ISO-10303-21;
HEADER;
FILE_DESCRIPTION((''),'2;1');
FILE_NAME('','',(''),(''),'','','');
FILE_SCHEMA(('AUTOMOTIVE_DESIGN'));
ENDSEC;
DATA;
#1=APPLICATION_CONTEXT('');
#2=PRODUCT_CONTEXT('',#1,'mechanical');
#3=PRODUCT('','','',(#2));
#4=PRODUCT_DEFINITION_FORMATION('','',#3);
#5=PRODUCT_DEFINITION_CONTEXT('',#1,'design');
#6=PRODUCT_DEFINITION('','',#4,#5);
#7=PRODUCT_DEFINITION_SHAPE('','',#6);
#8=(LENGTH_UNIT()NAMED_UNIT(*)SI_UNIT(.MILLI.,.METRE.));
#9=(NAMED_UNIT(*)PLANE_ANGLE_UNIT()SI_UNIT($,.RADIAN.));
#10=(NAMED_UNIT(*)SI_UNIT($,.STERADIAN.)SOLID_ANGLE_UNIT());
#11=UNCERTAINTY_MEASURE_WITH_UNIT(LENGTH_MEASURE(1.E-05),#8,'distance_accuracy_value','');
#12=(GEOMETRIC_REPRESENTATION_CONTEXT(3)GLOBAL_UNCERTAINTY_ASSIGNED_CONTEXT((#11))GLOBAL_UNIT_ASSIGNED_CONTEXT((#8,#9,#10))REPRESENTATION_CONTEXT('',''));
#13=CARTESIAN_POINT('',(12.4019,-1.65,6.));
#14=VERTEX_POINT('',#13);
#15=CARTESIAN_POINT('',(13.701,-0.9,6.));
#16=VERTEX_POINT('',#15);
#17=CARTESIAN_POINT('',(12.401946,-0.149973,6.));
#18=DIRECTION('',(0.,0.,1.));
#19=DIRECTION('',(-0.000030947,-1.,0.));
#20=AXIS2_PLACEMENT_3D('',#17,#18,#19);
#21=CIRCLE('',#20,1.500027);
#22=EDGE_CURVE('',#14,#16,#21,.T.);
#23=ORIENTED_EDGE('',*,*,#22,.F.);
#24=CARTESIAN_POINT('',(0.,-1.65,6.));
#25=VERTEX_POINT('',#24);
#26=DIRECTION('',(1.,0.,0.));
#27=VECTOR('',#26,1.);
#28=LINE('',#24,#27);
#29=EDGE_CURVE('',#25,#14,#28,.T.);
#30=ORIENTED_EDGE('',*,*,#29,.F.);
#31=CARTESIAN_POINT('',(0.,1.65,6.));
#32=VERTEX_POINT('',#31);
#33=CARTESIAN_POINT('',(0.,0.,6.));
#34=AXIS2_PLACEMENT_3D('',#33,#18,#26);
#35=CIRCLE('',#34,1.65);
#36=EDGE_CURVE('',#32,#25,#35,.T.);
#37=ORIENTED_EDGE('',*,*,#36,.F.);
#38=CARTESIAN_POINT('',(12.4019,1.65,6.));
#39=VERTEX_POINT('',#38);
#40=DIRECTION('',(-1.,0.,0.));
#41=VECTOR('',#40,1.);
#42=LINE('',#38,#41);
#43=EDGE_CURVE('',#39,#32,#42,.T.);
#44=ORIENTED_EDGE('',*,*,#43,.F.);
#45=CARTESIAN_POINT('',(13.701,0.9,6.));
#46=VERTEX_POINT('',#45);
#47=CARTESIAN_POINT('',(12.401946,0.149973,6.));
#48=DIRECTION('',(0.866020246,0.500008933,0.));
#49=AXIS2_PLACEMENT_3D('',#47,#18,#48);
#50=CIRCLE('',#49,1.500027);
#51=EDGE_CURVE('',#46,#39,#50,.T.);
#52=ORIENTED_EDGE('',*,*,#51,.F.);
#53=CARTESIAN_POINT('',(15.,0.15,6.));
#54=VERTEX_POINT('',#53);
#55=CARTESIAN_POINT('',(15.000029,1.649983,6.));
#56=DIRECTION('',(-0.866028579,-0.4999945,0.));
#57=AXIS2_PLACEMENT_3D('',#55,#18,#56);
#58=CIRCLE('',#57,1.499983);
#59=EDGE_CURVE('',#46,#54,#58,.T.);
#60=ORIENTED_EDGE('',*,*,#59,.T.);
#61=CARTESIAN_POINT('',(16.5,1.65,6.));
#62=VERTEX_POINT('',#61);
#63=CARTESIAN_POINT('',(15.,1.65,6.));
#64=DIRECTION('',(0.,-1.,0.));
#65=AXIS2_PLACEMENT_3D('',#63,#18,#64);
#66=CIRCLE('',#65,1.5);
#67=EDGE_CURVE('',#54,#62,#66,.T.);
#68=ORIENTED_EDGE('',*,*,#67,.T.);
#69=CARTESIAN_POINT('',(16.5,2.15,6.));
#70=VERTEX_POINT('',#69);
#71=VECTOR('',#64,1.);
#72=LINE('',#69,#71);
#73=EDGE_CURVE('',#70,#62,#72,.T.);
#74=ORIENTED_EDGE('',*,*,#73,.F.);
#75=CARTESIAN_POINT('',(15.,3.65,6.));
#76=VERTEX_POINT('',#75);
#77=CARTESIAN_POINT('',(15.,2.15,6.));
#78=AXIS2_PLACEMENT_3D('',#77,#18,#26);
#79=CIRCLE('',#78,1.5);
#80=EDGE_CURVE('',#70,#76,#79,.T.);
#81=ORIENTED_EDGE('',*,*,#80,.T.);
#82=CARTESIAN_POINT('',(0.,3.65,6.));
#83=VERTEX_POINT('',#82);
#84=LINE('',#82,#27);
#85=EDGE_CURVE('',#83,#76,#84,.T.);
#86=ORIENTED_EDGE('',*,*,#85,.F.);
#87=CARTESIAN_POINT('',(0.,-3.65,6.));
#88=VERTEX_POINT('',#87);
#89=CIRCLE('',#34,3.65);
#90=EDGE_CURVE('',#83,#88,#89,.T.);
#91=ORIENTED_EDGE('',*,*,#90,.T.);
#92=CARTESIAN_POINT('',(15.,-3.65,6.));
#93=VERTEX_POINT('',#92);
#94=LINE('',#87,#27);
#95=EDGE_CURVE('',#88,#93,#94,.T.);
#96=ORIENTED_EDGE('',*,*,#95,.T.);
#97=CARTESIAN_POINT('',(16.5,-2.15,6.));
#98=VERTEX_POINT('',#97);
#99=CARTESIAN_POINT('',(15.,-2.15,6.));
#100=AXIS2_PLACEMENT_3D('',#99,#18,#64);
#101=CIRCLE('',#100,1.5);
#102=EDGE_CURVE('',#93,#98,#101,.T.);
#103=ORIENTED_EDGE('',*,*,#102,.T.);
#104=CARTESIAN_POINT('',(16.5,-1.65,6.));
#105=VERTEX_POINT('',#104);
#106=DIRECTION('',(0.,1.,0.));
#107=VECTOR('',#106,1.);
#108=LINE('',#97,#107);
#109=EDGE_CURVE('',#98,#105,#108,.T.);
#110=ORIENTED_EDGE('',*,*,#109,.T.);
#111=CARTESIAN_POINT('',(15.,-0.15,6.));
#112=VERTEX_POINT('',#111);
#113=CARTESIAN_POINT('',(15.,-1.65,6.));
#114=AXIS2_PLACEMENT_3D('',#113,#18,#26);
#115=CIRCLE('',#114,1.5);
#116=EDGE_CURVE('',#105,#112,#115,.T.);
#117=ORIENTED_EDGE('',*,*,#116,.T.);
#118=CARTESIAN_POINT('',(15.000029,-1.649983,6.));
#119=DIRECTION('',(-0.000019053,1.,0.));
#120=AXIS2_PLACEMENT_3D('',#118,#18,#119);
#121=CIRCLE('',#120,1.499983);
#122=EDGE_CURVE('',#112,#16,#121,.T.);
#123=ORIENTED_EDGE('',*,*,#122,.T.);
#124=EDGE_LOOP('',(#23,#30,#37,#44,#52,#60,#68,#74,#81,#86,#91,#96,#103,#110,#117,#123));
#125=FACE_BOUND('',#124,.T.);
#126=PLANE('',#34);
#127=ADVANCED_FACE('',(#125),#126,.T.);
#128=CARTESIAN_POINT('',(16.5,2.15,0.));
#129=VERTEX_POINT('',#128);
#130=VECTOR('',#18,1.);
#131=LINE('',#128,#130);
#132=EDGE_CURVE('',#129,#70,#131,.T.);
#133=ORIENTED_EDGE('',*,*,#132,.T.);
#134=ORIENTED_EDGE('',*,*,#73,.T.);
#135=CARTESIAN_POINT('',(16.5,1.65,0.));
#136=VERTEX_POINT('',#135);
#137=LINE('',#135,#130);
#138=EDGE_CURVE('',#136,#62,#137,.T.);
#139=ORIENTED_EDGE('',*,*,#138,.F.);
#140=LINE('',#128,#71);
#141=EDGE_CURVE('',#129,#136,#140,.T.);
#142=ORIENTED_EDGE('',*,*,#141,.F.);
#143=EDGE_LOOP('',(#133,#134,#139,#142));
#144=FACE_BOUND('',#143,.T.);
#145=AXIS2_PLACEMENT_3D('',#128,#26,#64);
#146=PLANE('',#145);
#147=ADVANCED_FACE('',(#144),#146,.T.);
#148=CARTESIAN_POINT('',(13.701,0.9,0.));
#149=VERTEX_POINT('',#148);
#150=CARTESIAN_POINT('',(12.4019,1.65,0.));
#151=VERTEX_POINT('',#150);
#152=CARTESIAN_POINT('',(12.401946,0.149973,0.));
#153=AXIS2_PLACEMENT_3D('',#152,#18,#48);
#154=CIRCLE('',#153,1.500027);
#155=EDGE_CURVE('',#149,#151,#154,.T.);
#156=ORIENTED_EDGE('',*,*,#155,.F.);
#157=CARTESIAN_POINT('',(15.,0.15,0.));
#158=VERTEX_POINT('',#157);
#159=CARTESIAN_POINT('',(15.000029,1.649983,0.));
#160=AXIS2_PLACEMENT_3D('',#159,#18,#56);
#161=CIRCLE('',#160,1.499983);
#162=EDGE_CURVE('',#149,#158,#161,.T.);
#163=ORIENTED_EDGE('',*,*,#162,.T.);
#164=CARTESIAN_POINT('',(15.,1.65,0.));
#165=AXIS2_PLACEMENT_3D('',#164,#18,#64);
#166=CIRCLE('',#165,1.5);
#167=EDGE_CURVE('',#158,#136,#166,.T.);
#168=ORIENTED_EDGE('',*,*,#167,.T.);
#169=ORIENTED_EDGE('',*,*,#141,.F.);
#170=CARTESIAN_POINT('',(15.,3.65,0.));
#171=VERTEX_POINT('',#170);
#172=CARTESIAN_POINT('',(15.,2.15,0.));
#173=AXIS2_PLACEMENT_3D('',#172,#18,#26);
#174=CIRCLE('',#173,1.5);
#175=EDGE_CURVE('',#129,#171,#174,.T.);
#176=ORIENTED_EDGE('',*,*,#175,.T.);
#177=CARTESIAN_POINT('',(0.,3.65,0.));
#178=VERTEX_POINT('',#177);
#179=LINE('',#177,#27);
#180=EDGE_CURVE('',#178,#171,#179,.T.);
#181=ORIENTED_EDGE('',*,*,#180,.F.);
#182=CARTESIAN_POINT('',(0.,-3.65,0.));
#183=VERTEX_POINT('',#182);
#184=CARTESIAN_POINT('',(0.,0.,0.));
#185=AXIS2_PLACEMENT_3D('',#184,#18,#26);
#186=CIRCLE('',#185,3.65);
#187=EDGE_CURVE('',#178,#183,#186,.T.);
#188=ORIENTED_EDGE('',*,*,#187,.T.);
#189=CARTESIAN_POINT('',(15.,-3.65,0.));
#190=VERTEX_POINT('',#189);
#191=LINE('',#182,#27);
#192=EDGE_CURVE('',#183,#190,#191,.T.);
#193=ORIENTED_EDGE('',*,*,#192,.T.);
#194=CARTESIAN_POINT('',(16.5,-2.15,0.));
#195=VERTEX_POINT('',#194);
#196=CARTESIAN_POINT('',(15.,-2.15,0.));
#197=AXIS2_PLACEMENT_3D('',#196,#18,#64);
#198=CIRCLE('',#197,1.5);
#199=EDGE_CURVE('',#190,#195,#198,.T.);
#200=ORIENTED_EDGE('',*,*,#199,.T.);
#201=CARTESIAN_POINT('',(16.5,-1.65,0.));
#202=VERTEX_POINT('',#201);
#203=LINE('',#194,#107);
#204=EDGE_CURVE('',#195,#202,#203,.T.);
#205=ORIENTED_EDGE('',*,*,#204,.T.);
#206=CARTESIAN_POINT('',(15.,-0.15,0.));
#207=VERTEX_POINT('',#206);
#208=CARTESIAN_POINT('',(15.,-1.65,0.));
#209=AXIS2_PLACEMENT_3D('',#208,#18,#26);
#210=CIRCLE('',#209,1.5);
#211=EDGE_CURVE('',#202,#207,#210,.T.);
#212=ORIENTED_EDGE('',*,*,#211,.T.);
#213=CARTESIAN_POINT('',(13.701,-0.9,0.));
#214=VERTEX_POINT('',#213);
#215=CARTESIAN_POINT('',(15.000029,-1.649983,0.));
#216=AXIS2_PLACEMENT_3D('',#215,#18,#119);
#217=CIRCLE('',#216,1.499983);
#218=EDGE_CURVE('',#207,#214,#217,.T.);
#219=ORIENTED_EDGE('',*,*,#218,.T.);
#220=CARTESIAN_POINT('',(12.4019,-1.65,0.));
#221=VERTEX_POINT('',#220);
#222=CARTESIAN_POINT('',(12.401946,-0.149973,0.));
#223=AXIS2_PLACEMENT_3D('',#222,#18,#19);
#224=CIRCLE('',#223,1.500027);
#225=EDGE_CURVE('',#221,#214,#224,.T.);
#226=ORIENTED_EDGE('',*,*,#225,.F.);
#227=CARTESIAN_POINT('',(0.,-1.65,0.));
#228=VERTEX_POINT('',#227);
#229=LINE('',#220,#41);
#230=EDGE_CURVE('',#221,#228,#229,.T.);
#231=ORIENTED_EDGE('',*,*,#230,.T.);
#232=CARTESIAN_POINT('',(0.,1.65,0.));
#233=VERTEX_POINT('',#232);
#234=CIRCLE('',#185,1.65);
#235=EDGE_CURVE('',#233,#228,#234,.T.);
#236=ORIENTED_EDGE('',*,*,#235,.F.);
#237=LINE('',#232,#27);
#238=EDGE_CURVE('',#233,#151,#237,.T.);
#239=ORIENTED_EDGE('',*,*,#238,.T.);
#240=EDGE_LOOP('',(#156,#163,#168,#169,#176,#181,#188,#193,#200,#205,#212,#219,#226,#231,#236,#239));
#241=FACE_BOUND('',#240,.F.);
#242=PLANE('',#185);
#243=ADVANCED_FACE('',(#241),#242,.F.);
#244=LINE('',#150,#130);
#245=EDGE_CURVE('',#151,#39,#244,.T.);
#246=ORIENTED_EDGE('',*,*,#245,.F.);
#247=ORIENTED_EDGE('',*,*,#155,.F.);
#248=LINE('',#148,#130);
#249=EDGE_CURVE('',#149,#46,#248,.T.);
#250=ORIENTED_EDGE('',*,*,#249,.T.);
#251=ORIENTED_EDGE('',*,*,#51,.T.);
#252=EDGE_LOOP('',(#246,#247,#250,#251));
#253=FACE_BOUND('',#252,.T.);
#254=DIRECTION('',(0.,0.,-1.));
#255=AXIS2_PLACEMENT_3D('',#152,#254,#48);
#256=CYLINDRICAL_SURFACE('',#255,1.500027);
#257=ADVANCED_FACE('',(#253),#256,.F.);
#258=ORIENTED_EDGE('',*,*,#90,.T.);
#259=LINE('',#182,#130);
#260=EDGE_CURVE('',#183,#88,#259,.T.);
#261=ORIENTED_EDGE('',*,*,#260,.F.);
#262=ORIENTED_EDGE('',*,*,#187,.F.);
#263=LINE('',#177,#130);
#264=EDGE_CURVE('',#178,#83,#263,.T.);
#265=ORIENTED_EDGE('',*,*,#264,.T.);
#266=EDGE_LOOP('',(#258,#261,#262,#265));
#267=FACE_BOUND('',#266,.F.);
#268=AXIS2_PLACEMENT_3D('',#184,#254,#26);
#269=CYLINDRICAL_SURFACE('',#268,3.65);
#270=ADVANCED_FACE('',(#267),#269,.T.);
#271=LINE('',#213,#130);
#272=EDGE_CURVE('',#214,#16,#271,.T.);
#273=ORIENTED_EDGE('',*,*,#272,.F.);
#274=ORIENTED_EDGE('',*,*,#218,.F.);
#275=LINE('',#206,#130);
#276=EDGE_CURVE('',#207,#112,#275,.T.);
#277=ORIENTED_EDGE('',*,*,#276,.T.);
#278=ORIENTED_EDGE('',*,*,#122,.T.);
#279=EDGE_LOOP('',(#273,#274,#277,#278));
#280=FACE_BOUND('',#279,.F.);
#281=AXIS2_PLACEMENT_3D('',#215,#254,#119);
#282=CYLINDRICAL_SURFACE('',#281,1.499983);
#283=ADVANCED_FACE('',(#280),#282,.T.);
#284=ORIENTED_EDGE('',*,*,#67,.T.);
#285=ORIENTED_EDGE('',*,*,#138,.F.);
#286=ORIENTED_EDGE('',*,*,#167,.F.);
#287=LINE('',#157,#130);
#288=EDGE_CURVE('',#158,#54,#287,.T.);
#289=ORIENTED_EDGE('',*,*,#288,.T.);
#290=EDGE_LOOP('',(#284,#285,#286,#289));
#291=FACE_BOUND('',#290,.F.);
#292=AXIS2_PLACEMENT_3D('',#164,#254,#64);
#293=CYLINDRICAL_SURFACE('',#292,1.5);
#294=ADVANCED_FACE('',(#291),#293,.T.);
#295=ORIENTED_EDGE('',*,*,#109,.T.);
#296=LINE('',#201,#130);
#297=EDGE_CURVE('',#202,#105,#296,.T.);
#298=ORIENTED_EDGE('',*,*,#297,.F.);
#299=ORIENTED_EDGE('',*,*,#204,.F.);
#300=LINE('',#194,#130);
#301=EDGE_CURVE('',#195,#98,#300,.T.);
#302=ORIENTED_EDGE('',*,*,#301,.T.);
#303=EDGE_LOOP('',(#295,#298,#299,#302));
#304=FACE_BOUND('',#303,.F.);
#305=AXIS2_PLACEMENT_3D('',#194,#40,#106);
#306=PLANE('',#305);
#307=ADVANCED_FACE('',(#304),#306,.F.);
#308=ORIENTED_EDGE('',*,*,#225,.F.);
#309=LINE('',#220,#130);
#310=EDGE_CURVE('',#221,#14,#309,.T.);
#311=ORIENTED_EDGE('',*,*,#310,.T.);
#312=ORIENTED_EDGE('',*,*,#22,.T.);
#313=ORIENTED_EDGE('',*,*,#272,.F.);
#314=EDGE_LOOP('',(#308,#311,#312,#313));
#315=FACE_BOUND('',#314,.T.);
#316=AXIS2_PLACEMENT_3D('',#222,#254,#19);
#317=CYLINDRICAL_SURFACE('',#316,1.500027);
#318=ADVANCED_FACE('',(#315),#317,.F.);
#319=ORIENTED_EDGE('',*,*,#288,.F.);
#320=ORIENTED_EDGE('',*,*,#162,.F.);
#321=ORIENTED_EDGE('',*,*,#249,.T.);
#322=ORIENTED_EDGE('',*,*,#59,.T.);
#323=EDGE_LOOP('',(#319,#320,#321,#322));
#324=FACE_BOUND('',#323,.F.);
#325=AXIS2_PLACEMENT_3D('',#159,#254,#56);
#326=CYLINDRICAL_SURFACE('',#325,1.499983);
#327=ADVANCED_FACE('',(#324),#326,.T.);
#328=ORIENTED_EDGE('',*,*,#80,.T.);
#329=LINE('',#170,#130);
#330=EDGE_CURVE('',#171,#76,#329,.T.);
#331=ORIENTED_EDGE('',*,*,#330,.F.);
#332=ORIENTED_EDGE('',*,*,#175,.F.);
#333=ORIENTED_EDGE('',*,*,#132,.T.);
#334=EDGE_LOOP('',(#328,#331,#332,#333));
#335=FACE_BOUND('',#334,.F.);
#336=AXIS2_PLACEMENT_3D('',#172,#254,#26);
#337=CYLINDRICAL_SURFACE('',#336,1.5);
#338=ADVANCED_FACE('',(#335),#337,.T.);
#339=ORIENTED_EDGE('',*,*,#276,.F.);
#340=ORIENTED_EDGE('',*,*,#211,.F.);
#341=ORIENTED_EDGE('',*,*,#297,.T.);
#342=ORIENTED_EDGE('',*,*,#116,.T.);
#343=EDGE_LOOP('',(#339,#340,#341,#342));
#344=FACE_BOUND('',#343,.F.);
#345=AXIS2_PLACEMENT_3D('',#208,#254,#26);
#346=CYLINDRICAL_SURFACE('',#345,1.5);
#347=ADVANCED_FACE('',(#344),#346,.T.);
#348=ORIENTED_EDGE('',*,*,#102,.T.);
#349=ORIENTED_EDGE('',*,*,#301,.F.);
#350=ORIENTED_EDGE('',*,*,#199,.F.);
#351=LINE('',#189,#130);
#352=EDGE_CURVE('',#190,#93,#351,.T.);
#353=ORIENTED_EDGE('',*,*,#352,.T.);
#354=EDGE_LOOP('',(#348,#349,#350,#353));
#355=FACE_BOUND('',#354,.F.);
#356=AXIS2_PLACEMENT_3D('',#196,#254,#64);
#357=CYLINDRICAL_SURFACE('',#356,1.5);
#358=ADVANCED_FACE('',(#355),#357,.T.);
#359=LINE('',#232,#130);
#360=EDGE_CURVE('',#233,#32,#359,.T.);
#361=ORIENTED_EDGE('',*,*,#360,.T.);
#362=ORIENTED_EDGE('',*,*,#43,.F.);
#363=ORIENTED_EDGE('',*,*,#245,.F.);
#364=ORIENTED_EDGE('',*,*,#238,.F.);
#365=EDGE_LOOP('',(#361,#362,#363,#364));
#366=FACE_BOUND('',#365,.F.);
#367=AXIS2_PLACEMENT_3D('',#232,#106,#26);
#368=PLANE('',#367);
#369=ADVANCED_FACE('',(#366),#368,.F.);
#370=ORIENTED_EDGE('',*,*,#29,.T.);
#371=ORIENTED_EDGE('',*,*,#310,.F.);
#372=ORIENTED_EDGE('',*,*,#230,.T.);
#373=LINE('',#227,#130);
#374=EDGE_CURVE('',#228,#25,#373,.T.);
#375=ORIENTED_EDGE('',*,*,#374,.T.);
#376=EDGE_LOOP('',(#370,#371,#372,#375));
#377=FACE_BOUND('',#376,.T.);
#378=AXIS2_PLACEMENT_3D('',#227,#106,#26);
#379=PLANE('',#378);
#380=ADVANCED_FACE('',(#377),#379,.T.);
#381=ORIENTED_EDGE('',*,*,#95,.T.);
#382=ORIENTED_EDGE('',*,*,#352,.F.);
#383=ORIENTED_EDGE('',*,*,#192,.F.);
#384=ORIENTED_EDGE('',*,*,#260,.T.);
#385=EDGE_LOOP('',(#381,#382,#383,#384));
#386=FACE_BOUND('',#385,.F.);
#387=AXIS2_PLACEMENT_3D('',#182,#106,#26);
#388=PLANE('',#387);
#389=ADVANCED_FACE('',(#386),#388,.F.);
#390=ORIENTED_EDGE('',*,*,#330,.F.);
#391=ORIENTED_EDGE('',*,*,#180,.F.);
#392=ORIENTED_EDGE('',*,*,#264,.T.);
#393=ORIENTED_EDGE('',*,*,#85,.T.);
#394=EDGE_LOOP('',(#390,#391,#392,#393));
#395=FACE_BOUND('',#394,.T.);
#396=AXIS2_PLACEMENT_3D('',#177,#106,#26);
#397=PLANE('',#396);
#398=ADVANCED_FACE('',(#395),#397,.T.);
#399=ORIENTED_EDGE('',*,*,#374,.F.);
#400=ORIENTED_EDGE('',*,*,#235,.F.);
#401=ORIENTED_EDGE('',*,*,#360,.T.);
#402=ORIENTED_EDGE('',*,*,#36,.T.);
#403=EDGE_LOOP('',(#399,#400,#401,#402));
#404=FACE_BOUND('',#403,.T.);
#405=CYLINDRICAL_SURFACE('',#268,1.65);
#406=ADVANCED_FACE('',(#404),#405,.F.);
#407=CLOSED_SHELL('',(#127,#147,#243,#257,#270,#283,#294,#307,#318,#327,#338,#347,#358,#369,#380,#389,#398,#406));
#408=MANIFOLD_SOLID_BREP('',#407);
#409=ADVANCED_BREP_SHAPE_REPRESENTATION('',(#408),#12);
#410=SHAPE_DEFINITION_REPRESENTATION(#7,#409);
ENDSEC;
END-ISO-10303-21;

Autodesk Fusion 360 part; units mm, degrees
sketch "Sketch1" plane through (0, 0, 0) normal (0, 0, 1) x (1, 0, 0)
  circle A0 centre (0, 0) radius 1.65
  circle A1 centre (0, 0) radius 3.65
  line L0 (0, 0) -> (0, -3.65)
  line L1 (0, 0) -> (0, 3.65)
  line L2 (0, 3.65) -> (15, 3.65)
  line L3 (0, -3.65) -> (15, -3.65)
  line L4 (0, 1.65) -> (12.4019, 1.65)
  line L5 (0, -1.65) -> (12.4019, -1.65)
  line L6 (16.5, 2.15) -> (16.5, 1.65)
  line L7 (16.5, -2.15) -> (16.5, -1.65)
  arc A2 (15, -0.15) -> (13.701, -0.9) centre (15, -1.65) ccw
  arc A3 (16.5, -1.65) -> (15, -0.15) centre (15, -1.65) ccw
  arc A4 (13.701, 0.9) -> (15, 0.15) centre (15, 1.65) ccw
  arc A5 (15, 0.15) -> (16.5, 1.65) centre (15, 1.65) ccw
  arc A6 (13.701, 0.9) -> (12.4019, 1.65) centre (12.4019, 0.15) ccw
  arc A7 (12.4019, -1.65) -> (13.701, -0.9) centre (12.4019, -0.15) ccw
  arc A8 (15, -3.65) -> (16.5, -2.15) centre (15, -2.15) ccw
  arc A9 (16.5, 2.15) -> (15, 3.65) centre (15, 2.15) ccw
  point P0 (16.5, 3.65)
  point P1 (16.5, -3.65)
  point P2 (13.5, 1.65)
  point P3 (13.5, -1.65)
  point P4 (16.5, 3.65)
  point P5 (16.5, 0.15)
  point P6 (16.5, -3.65)
  point P7 (16.5, -0.15)
  point P8 (13.5, 0.15)
  point P9 (13.5, -0.15)
  dimension "d1" = 3.3
  dimension "d2" = 7.3
  dimension "d10" = 16.5
  dimension "d11" = 16.5
  dimension "d18" = 13.5
  dimension "d19" = 13.5
  dimension "d23" = 3.5
  dimension "d24" = 3.5
  dimension "d25" = 3
  dimension "d26" = 3
  dimension "d27" = 1.5
  dimension "d28" = 1.5
  dimension "d29" = 1.5
  dimension "d30" = 1.5
  dimension "d31" = 1.5
  dimension "d32" = 1.5
  dimension "d33" = 1.5
  dimension "d34" = 1.5
extrude "Extrude4" add sketch "Sketch1" along normal blind 6 contours A0 A1 L0 L1 | A1 L1 L4 | A1 L0 L5 | A1 L2 L4 L6 A4 A5 A6 A9 | A1 L3 L5 L7 A2 A3 A7 A8
